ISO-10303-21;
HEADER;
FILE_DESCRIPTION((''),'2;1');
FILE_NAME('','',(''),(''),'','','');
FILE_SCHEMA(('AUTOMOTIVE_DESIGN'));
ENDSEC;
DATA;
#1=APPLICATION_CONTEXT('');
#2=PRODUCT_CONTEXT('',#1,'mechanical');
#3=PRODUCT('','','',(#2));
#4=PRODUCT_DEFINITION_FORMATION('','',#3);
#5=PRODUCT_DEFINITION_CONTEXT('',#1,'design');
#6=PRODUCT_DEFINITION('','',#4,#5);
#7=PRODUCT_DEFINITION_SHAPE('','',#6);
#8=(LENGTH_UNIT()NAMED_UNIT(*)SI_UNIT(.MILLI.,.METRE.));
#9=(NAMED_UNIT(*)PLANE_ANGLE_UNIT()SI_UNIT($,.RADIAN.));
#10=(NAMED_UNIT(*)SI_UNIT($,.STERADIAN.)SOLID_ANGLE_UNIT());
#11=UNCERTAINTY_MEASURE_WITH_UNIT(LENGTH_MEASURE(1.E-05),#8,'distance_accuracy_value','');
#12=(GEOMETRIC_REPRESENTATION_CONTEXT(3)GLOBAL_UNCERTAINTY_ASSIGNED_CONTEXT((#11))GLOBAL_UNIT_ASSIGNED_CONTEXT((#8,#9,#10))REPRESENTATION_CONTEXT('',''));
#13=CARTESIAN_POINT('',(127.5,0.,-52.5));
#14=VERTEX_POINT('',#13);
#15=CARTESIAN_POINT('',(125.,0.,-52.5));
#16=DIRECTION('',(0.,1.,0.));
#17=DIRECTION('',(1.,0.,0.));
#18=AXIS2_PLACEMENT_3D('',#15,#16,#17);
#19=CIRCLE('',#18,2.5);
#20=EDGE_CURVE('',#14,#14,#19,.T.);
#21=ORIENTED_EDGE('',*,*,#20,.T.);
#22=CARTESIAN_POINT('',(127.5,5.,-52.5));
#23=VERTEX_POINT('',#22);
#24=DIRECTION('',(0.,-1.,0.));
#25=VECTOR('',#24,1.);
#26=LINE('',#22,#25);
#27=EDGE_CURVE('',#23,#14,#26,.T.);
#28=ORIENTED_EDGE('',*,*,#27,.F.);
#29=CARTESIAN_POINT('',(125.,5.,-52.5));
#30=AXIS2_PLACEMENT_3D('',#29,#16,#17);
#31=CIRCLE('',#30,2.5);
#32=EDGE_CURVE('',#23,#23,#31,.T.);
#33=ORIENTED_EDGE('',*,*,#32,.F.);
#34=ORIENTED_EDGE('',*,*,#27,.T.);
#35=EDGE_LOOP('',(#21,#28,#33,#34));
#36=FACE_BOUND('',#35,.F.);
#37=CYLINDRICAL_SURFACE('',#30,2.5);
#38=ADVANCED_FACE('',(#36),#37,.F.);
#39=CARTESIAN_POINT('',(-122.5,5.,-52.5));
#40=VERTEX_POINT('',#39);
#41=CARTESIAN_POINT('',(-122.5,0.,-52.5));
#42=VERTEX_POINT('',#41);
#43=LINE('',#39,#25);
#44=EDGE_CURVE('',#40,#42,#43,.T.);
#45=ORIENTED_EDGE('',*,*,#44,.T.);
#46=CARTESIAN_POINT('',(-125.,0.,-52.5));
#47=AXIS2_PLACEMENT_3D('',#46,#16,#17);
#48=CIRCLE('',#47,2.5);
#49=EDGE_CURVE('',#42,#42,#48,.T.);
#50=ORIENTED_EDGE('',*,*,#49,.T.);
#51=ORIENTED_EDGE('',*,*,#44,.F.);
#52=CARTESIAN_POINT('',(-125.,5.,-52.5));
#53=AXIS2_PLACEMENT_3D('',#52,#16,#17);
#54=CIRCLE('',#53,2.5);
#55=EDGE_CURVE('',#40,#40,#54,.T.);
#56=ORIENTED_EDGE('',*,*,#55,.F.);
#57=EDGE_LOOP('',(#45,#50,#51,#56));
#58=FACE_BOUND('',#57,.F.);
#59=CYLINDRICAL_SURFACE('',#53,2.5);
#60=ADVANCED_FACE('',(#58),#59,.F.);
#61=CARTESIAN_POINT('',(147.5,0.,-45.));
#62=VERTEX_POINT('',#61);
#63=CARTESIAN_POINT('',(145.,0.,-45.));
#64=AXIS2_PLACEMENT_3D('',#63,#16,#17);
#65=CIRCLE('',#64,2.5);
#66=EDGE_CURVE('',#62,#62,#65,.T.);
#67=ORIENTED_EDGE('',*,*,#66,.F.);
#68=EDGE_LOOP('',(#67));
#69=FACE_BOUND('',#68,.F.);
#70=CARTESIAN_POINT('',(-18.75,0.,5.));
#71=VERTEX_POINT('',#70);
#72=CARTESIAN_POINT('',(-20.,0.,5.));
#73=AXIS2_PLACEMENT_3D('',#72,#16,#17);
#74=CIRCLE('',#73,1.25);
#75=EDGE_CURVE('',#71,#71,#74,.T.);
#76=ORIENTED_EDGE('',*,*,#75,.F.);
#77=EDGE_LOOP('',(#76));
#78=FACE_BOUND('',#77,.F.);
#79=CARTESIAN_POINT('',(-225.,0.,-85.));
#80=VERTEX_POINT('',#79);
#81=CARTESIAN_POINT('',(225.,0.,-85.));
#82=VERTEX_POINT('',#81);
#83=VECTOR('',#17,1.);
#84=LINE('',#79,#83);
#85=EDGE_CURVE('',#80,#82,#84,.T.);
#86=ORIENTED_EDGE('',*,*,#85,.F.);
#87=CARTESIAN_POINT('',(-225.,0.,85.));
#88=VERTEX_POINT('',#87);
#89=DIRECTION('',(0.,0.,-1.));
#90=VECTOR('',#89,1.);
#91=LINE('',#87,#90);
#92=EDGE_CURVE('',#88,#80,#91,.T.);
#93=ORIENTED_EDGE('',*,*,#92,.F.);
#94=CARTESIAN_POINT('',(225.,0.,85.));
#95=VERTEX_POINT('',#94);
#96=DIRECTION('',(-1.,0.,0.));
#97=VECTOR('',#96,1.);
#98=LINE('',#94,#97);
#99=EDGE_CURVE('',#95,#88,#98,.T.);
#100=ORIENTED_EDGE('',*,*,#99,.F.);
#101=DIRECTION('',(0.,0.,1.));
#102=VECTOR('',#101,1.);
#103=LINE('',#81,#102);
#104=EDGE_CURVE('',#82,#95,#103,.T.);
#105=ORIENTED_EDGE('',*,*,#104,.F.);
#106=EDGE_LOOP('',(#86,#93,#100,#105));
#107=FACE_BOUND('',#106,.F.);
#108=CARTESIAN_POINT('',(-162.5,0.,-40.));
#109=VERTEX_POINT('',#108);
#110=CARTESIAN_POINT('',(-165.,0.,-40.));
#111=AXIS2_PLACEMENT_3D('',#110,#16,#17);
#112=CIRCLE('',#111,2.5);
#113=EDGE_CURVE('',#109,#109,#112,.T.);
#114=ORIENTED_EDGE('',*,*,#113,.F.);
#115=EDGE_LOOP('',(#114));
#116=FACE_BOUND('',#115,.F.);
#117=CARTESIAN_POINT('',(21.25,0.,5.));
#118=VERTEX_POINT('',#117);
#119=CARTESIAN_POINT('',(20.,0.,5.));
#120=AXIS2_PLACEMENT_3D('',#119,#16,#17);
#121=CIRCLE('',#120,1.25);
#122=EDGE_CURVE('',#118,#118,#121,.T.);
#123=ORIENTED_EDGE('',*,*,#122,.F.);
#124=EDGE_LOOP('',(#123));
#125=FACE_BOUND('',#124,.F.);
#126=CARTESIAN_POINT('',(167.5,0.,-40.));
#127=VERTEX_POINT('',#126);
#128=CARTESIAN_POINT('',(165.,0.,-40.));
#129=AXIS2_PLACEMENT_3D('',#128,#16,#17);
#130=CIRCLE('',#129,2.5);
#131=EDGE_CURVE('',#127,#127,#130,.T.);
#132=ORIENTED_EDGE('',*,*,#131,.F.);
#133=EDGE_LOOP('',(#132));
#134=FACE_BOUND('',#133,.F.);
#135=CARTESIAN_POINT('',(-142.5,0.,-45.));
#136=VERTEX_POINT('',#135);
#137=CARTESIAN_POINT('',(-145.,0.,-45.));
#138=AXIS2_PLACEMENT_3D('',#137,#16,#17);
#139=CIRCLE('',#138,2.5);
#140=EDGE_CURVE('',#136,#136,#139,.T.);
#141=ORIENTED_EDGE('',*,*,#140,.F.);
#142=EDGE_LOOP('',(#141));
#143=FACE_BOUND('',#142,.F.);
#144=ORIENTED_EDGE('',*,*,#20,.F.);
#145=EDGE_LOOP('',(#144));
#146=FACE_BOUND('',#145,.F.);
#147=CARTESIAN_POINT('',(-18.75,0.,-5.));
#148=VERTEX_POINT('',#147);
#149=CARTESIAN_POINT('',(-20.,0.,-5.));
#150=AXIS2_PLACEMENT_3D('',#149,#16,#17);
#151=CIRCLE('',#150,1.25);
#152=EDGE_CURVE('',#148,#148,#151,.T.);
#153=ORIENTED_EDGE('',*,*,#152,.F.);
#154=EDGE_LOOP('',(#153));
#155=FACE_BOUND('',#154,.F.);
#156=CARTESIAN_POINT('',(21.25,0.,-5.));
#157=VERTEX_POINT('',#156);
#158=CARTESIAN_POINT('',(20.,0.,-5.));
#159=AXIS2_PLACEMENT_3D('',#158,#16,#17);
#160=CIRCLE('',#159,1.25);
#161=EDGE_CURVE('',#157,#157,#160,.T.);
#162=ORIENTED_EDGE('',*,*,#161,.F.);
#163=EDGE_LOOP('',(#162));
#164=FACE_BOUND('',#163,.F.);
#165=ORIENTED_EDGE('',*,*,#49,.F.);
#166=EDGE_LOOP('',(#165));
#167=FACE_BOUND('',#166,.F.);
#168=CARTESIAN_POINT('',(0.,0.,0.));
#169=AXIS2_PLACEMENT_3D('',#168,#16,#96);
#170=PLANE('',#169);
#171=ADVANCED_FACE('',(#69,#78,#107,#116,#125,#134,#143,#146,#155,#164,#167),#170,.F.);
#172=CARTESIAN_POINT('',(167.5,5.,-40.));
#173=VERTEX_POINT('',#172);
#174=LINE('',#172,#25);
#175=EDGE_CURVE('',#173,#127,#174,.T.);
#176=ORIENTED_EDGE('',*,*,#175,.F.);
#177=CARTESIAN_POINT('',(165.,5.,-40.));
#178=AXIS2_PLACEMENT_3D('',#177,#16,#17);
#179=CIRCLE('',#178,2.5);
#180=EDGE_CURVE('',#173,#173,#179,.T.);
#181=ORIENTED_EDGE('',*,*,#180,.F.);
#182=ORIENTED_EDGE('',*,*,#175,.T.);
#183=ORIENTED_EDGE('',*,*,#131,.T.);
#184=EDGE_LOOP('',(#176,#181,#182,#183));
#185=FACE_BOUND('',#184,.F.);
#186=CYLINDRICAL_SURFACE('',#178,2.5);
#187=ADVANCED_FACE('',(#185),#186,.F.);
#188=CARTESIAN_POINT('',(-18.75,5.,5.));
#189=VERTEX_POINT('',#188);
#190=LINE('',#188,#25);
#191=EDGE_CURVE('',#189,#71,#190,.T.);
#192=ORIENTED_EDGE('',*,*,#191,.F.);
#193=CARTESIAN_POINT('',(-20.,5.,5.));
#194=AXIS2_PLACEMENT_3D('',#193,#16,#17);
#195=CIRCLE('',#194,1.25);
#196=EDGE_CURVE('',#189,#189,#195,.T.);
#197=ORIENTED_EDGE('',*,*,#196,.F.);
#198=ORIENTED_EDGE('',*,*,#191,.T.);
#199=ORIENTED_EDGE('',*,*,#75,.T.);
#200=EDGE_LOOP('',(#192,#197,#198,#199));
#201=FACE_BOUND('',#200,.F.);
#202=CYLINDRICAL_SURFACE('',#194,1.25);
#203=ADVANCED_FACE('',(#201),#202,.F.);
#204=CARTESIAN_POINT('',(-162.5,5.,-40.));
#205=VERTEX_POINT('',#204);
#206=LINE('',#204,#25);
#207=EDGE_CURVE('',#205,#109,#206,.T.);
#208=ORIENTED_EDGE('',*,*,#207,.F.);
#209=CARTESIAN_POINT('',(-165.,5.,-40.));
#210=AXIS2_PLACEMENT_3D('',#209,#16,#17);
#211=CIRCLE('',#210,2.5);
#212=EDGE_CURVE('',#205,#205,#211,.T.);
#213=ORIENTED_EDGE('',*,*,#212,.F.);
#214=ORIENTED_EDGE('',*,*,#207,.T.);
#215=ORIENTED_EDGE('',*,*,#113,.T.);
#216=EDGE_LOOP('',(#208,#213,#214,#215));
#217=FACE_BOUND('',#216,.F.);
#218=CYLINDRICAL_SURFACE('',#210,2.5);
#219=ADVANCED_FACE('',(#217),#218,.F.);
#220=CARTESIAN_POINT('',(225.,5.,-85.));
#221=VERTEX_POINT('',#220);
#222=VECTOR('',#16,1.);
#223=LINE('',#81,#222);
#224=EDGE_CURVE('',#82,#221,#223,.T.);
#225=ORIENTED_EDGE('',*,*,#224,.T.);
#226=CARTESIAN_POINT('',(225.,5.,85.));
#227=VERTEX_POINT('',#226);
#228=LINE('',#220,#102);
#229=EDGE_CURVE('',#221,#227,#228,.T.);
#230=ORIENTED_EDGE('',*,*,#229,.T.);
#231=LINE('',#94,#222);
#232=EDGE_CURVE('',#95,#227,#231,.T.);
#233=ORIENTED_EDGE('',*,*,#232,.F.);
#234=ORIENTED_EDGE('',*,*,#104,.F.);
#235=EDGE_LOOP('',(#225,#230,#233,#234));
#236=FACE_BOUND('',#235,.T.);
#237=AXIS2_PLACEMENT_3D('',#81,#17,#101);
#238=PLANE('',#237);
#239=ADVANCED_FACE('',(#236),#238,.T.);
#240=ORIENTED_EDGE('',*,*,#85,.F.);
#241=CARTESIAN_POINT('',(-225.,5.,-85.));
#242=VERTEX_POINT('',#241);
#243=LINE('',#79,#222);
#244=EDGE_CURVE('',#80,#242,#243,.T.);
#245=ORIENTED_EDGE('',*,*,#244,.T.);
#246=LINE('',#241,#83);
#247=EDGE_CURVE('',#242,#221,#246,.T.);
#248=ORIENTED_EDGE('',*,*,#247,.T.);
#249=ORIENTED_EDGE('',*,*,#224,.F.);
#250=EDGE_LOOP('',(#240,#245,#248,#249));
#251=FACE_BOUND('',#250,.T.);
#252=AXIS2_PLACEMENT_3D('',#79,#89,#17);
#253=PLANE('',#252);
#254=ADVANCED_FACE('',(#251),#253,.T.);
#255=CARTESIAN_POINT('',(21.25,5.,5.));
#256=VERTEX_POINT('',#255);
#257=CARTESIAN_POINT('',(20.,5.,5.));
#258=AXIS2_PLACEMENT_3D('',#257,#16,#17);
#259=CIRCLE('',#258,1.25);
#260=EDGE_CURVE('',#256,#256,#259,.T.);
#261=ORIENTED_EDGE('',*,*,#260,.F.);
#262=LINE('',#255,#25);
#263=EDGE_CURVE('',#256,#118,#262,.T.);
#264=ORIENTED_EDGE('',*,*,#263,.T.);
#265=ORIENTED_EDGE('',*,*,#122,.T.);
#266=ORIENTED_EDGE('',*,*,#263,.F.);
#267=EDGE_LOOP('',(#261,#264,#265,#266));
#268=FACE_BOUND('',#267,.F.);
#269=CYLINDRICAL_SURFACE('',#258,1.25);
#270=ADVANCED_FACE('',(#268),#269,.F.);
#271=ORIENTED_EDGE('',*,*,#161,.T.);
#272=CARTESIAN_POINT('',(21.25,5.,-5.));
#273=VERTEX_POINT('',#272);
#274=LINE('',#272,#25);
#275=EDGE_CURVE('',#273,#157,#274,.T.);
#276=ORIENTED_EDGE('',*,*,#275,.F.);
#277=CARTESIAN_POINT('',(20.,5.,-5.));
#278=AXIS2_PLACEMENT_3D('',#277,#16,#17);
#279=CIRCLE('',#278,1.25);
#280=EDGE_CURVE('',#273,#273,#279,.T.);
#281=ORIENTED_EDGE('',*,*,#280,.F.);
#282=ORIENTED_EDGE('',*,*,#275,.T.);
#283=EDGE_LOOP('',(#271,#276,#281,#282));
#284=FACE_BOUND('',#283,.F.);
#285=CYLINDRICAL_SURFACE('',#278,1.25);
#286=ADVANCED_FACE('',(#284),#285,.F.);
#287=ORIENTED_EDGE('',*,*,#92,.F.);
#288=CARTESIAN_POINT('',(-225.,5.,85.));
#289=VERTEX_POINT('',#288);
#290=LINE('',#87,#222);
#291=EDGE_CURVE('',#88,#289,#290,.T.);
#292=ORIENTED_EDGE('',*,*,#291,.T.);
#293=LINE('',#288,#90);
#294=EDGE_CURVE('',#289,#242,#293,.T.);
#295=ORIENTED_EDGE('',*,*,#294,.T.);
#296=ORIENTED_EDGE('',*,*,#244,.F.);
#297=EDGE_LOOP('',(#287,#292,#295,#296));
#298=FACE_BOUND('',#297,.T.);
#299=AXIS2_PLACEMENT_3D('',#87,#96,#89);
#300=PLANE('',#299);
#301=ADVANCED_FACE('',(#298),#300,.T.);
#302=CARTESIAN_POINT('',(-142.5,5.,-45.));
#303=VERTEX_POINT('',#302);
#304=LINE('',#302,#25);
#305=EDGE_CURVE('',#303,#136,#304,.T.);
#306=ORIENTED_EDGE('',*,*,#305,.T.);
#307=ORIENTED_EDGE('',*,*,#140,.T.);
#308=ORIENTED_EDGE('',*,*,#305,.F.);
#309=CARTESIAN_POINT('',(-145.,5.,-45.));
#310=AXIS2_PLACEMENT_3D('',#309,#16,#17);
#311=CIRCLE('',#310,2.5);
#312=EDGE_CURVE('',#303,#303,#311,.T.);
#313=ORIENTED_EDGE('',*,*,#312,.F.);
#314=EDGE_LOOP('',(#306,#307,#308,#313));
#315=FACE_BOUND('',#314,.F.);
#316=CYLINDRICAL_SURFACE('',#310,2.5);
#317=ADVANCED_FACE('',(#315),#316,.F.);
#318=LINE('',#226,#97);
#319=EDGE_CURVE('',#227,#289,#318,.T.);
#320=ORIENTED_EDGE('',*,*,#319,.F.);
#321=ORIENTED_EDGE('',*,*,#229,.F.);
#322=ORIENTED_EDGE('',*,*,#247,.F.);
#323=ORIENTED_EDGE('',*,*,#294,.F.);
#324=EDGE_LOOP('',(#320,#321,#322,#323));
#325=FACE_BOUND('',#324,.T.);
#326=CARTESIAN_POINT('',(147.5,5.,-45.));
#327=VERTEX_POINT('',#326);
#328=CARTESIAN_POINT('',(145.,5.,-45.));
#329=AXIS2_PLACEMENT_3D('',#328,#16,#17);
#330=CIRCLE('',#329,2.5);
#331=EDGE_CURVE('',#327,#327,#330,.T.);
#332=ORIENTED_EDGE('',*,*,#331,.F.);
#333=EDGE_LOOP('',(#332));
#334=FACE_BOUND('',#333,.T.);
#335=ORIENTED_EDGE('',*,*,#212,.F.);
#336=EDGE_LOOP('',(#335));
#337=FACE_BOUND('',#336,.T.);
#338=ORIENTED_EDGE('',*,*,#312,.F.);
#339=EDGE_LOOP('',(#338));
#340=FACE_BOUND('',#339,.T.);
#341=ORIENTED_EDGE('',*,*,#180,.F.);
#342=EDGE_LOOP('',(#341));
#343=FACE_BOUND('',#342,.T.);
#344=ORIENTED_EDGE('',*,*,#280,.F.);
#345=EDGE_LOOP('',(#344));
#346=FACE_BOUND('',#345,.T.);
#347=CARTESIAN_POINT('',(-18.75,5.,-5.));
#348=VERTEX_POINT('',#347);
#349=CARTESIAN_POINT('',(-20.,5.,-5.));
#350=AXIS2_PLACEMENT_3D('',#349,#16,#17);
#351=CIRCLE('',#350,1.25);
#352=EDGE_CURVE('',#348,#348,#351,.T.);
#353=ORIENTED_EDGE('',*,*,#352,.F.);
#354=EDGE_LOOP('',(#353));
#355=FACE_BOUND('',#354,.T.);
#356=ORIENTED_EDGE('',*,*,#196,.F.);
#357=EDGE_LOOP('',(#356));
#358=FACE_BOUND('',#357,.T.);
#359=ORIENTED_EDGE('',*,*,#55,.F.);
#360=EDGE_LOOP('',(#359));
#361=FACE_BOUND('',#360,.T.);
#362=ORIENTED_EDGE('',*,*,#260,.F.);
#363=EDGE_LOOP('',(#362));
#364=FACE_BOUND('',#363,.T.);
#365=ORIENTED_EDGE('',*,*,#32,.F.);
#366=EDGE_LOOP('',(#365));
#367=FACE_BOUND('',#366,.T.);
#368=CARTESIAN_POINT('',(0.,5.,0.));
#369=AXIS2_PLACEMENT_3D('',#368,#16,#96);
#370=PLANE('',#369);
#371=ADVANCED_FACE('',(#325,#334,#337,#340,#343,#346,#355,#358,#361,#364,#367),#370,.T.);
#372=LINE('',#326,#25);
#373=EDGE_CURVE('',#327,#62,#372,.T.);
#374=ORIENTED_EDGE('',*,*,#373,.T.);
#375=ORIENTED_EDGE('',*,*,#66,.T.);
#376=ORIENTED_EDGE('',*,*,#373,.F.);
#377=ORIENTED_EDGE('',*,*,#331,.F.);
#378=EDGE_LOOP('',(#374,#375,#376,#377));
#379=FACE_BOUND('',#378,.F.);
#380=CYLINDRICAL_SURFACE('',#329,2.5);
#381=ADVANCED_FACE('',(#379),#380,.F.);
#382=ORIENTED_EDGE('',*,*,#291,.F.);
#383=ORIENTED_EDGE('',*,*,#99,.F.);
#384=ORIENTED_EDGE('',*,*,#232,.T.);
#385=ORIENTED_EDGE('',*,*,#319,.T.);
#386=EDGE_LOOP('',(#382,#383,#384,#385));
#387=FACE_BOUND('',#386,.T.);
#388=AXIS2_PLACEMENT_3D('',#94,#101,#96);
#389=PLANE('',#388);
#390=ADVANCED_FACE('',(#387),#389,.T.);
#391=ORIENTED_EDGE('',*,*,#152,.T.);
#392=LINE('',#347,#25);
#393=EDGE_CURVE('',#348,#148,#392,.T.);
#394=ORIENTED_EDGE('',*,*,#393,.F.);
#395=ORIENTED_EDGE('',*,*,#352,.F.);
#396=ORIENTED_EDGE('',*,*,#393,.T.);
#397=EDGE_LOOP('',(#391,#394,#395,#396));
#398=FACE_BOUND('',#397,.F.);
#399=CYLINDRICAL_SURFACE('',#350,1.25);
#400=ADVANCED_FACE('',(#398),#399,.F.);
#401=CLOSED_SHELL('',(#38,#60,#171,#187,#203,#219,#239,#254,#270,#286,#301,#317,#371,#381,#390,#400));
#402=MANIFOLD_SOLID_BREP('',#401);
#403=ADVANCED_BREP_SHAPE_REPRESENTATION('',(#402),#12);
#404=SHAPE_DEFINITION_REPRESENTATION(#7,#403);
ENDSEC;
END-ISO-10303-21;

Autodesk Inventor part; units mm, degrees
ref_plane "YZ Plane" through (0, 0, 0) normal (1, 0, 0) x (0, 1, 0)
ref_plane "XZ Plane" through (0, 0, 0) normal (0, 1, 0) x (-1, 0, 0)
ref_plane "XY Plane" through (0, 0, 0) normal (0, 0, 1) x (1, 0, 0)
sketch "Sketch1" plane through (0, 0, 0) normal (0, 1, 0) x (-1, 0, 0)
  line L0 (-225, 85) -> (225, 85)
  line L1 (225, 85) -> (225, -85)
  line L2 (225, -85) -> (-225, -85)
  line L3 (-225, -85) -> (-225, 85)
  point P0 (0, 0)
  dimension "d0" = 450
  dimension "d2" = 170
  dimension "d3" = 225
  dimension "d4" = 85
extrude "Extrusion1" add sketch "Sketch1" along normal blind 5
sketch "Sketch2" plane through (0, 5, 0) normal (0, 1, 0) x (1, 0, 0)
  line L0 (-225, -85) -> (225, -85) projected
  line L1 (225, -85) -> (225, 85) projected
  line L2 (-225, 85) -> (-225, -85) projected
  circle A0 centre (-165, 40) radius 2.5
  circle A1 centre (-145, 45) radius 2.5
  circle A2 centre (-125, 52.5) radius 2.5
  circle A3 centre (125, 52.5) radius 2.5
  circle A4 centre (145, 45) radius 2.5
  circle A5 centre (165, 40) radius 2.5
  circle A6 centre (-20, -5) radius 1.25
  circle A7 centre (-20, 5) radius 1.25
  circle A8 centre (20, -5) radius 1.25
  circle A9 centre (20, 5) radius 1.25
  point P0 (0, 0)
  dimension "d7" = 137.5
  dimension "d8" = 130
  dimension "d9" = 125
  dimension "d10" = 60
  dimension "d11" = 80
  dimension "d12" = 100
  dimension "d13" = 100
  dimension "d14" = 80
  dimension "d15" = 60
  dimension "d16" = 125
  dimension "d17" = 130
  dimension "d18" = 137.5
  dimension "d19" = 20
  dimension "d20" = 20
  dimension "d21" = 20
  dimension "d22" = 20
  dimension "d23" = 80
  dimension "d24" = 80
  dimension "d26" = 10
  dimension "d27" = 10
  dimension "d28" = 5
  dimension "d29" = 5
  dimension "d30" = 5
  dimension "d31" = 5
  dimension "d32" = 5
  dimension "d33" = 5
  dimension "d34" = 2.5
  dimension "d35" = 2.5
  dimension "d36" = 2.5
  dimension "d37" = 2.5
extrude "Extrusion2" cut sketch "Sketch2" against normal through all
equation "\"d3\" = 0.5 * d0"
equation "\"d4\" = 0.5 * d2"
properties part number "Camera Rig Base"
